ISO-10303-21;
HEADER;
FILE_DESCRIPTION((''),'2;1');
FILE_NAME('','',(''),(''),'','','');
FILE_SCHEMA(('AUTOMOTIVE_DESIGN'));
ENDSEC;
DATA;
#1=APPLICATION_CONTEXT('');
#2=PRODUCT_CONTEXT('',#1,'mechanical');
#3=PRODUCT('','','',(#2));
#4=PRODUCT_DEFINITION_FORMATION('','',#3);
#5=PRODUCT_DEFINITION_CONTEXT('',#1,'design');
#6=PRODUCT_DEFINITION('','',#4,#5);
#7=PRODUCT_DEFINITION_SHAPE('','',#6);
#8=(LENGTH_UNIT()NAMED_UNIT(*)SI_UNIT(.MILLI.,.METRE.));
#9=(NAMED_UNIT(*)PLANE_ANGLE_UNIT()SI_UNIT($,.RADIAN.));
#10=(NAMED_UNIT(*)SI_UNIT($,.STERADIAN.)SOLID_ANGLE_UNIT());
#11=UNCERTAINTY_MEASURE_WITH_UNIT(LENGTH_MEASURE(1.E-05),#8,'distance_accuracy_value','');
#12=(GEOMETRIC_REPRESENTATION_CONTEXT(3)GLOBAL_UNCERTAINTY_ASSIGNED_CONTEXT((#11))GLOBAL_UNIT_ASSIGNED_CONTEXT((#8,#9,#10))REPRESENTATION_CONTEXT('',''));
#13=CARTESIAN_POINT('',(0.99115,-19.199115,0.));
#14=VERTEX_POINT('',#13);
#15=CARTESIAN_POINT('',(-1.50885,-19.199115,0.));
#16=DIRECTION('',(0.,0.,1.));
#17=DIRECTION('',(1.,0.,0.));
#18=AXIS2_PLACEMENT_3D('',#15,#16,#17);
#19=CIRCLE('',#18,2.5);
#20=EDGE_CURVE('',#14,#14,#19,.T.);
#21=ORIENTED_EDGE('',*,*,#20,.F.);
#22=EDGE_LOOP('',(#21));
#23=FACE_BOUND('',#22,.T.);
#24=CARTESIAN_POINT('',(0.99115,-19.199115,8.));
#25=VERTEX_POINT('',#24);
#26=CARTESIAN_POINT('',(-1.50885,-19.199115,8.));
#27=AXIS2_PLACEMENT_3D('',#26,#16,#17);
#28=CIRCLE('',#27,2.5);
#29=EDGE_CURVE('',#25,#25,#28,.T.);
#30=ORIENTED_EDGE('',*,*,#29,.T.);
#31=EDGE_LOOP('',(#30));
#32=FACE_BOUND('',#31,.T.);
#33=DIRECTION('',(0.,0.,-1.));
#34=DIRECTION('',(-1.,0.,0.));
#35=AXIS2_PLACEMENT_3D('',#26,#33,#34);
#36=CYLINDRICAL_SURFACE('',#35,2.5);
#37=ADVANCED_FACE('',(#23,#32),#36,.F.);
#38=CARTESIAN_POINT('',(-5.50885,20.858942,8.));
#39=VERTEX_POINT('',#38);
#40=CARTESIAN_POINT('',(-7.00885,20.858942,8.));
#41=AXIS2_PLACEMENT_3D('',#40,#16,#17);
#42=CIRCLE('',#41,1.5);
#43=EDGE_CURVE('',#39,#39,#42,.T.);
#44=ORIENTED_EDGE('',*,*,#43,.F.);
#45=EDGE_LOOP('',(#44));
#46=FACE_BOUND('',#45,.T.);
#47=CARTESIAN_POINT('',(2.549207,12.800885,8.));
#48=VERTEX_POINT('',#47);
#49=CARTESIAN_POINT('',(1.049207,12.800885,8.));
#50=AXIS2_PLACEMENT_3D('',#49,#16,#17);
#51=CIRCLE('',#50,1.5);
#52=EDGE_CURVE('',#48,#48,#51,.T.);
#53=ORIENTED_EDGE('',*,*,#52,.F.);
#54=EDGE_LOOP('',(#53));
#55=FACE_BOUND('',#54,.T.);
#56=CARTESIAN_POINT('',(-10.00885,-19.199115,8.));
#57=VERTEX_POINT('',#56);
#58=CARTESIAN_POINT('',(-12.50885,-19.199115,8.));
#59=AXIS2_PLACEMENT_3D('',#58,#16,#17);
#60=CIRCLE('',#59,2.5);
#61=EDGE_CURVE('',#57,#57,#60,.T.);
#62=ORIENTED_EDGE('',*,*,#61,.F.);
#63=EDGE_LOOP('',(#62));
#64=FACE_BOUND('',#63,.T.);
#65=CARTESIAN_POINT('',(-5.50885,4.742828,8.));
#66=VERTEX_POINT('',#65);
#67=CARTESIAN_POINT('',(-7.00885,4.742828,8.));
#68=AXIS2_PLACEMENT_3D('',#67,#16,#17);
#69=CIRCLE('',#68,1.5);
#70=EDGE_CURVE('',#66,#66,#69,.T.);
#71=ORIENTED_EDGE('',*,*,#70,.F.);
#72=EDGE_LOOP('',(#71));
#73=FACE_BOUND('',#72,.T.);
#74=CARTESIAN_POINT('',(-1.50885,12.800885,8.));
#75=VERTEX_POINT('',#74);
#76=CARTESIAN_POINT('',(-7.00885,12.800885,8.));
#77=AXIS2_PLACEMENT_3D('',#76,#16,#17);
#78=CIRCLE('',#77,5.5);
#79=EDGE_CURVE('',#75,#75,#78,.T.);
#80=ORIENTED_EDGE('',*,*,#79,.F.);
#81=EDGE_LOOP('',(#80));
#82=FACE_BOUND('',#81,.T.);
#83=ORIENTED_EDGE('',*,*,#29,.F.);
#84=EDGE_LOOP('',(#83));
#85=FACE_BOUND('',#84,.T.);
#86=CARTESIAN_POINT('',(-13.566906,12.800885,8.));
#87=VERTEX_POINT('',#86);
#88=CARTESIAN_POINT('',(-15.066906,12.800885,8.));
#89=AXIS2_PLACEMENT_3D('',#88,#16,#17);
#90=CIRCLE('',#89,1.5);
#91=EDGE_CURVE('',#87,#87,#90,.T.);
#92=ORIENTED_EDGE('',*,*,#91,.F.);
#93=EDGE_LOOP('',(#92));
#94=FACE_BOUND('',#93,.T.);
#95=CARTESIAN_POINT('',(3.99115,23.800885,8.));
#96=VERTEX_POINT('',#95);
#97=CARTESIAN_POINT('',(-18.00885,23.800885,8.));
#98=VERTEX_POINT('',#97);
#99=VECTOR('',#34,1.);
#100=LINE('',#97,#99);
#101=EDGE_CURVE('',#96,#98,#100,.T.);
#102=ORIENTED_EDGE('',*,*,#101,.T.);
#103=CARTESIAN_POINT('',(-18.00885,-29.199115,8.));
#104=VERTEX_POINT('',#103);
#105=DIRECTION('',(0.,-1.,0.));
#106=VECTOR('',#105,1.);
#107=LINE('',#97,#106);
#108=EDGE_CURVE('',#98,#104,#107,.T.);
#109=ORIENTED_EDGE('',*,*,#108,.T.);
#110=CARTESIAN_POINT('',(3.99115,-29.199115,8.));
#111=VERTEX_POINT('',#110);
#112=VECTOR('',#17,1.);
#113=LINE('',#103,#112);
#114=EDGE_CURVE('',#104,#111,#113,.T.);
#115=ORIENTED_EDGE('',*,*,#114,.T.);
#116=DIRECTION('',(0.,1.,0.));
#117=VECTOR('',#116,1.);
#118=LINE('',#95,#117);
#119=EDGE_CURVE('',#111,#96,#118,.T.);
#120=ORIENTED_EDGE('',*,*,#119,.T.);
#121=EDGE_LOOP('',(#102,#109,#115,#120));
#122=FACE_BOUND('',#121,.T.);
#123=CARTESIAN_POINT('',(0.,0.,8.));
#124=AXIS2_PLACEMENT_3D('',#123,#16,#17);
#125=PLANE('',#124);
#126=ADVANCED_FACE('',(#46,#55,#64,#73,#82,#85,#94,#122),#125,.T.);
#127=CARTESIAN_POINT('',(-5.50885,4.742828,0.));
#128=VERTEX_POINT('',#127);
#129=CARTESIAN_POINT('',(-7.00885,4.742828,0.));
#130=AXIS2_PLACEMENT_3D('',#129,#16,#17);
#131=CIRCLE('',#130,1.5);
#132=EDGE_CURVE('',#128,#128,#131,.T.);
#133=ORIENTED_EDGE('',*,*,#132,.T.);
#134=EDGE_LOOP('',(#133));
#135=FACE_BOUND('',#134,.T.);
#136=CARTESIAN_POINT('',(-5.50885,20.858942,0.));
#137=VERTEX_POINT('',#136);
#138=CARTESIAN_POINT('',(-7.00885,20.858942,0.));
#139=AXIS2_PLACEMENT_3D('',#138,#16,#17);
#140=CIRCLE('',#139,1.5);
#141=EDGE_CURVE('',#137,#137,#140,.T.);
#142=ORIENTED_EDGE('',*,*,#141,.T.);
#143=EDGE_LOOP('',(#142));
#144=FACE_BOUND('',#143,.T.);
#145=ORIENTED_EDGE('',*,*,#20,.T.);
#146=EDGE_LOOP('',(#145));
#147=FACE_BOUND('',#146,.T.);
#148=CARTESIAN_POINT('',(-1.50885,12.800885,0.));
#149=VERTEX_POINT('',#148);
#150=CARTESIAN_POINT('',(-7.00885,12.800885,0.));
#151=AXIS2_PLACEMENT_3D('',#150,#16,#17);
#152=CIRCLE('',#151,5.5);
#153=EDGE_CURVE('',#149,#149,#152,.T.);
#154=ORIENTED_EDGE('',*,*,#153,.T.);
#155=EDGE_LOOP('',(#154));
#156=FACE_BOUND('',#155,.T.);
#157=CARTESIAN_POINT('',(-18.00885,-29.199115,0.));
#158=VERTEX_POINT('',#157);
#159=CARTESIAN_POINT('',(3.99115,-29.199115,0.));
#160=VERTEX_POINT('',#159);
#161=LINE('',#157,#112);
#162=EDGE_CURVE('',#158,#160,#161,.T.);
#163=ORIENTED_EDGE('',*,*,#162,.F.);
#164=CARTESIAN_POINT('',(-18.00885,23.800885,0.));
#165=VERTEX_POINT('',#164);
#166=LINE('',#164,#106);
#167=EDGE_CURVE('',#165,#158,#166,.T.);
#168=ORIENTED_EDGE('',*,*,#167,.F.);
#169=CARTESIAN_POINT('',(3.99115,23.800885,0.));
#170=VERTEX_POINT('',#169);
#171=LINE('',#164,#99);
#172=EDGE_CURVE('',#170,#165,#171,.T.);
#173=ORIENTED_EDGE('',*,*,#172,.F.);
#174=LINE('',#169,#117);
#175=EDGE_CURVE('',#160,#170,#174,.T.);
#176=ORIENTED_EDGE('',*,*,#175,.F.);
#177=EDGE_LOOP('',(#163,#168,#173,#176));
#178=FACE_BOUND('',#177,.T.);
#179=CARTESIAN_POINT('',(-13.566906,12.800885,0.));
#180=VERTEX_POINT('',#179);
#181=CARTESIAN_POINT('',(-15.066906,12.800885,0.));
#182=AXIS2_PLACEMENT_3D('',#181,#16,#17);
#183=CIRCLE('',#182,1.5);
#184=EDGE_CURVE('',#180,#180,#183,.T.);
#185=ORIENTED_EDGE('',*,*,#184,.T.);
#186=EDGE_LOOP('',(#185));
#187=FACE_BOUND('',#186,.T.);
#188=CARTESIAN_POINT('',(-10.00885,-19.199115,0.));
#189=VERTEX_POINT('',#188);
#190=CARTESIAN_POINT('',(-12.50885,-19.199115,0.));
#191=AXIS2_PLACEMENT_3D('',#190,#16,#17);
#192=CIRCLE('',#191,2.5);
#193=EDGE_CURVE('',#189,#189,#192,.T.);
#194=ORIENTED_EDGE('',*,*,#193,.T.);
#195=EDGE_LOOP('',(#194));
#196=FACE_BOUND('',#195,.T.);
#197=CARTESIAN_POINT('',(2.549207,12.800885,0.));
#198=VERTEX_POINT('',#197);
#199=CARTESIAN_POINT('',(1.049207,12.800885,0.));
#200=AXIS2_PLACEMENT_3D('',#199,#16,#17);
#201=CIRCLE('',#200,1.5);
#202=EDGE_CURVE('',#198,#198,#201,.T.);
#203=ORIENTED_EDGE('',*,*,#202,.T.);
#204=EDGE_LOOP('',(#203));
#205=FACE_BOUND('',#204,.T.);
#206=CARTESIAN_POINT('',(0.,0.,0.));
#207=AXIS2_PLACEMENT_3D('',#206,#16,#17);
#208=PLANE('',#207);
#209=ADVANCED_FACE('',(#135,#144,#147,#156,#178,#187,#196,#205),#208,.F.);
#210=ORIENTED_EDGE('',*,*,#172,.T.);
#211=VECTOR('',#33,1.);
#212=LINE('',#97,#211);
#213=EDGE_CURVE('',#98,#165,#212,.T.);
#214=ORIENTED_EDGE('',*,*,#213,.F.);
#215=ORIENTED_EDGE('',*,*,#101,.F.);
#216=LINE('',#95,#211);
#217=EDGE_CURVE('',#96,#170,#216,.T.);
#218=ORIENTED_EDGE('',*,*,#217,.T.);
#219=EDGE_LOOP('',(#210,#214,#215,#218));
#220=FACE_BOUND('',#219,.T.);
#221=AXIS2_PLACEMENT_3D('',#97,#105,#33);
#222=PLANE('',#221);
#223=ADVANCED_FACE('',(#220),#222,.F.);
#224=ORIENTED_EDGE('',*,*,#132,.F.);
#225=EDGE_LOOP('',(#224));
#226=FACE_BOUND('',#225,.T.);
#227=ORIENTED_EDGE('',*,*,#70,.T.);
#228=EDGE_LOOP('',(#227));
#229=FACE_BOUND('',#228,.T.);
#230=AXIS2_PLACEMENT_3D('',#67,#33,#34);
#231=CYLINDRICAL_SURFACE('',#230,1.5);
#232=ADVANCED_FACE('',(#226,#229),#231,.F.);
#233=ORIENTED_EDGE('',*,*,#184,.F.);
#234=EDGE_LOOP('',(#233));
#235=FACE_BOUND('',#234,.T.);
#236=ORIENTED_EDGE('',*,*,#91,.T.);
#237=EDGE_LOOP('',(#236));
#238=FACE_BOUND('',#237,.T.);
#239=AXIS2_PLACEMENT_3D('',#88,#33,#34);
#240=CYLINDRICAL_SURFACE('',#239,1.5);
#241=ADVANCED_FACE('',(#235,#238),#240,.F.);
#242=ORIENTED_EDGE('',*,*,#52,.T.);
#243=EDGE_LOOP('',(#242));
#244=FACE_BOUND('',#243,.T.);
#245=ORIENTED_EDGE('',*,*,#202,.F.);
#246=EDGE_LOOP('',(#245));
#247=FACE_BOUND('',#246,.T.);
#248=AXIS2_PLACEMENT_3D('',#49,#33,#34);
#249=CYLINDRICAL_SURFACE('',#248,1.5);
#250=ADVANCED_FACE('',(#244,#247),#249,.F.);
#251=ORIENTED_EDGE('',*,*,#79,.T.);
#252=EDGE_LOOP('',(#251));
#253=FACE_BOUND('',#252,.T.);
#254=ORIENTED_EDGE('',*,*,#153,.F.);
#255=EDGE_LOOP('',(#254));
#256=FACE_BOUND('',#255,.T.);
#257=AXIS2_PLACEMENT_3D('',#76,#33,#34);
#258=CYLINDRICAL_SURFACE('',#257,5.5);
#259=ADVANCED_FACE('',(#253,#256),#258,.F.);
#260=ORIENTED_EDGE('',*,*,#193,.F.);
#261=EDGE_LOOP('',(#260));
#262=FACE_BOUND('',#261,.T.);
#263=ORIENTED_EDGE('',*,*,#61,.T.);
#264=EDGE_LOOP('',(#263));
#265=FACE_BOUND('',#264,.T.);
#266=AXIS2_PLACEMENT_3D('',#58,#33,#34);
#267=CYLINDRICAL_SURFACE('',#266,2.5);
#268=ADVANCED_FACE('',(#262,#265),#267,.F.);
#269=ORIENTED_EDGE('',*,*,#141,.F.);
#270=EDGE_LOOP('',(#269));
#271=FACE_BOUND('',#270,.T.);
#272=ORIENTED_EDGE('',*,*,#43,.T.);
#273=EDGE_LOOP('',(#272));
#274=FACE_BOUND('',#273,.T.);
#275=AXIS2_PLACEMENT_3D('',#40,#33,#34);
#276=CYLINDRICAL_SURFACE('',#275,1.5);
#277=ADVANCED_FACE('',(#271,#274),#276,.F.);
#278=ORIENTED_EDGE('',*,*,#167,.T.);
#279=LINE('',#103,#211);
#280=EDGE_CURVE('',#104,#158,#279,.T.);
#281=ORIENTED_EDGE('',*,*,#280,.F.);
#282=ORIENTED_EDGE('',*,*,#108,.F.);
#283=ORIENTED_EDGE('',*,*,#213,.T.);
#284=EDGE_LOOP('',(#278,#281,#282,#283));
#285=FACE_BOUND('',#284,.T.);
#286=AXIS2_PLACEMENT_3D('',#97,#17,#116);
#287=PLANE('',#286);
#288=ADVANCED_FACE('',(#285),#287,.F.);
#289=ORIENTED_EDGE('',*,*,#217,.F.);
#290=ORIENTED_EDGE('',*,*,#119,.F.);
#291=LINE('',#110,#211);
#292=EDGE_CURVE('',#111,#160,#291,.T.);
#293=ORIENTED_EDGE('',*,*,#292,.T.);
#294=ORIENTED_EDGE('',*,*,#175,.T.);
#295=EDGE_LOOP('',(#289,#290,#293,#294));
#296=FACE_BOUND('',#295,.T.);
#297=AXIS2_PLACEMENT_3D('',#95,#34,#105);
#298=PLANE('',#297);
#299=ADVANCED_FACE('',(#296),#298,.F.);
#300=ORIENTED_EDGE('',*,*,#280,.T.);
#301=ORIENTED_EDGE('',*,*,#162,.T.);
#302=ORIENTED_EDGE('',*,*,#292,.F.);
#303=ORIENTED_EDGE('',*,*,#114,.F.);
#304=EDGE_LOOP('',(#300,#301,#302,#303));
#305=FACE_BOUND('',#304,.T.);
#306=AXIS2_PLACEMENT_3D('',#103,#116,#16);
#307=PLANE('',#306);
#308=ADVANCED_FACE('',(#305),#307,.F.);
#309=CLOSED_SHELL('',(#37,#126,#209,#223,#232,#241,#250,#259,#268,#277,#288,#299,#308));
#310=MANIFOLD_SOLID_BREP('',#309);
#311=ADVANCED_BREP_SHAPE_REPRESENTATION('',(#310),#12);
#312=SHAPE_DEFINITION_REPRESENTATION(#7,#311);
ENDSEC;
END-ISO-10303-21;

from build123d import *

# Parameters (mm, degrees)
SKETCH_1_W      = 22
SKETCH_1_H      = 53
SKETCH_1_R      = 2.5
SKETCH_1_R_2    = 5.5
SKETCH_1_R_3    = 1.5
EXTRUDE_1_DEPTH = 8


with BuildPart() as part:
    # 草图1 → 凸台-拉伸1 (new body)
    with BuildSketch(Plane.XY):
        with Locations((-7.008849558, -2.699115044)):
            Rectangle(SKETCH_1_W, SKETCH_1_H)
        with Locations((-12.508849558, -19.199115044)):
            Circle(SKETCH_1_R, mode=Mode.SUBTRACT)
        with Locations((-1.508849558, -19.199115044)):
            Circle(SKETCH_1_R, mode=Mode.SUBTRACT)
        with Locations((-7.008849558, 12.800884956)):
            Circle(SKETCH_1_R_2, mode=Mode.SUBTRACT)
        with Locations((-7.008849558, 20.858941567)):
            Circle(SKETCH_1_R_3, mode=Mode.SUBTRACT)
        with Locations((1.049207054, 12.800884956)):
            Circle(SKETCH_1_R_3, mode=Mode.SUBTRACT)
        with Locations((-7.008849558, 4.742828344)):
            Circle(SKETCH_1_R_3, mode=Mode.SUBTRACT)
        with Locations((-15.066906169, 12.800884956)):
            Circle(SKETCH_1_R_3, mode=Mode.SUBTRACT)
    extrude(amount=EXTRUDE_1_DEPTH)


solid = part.part
